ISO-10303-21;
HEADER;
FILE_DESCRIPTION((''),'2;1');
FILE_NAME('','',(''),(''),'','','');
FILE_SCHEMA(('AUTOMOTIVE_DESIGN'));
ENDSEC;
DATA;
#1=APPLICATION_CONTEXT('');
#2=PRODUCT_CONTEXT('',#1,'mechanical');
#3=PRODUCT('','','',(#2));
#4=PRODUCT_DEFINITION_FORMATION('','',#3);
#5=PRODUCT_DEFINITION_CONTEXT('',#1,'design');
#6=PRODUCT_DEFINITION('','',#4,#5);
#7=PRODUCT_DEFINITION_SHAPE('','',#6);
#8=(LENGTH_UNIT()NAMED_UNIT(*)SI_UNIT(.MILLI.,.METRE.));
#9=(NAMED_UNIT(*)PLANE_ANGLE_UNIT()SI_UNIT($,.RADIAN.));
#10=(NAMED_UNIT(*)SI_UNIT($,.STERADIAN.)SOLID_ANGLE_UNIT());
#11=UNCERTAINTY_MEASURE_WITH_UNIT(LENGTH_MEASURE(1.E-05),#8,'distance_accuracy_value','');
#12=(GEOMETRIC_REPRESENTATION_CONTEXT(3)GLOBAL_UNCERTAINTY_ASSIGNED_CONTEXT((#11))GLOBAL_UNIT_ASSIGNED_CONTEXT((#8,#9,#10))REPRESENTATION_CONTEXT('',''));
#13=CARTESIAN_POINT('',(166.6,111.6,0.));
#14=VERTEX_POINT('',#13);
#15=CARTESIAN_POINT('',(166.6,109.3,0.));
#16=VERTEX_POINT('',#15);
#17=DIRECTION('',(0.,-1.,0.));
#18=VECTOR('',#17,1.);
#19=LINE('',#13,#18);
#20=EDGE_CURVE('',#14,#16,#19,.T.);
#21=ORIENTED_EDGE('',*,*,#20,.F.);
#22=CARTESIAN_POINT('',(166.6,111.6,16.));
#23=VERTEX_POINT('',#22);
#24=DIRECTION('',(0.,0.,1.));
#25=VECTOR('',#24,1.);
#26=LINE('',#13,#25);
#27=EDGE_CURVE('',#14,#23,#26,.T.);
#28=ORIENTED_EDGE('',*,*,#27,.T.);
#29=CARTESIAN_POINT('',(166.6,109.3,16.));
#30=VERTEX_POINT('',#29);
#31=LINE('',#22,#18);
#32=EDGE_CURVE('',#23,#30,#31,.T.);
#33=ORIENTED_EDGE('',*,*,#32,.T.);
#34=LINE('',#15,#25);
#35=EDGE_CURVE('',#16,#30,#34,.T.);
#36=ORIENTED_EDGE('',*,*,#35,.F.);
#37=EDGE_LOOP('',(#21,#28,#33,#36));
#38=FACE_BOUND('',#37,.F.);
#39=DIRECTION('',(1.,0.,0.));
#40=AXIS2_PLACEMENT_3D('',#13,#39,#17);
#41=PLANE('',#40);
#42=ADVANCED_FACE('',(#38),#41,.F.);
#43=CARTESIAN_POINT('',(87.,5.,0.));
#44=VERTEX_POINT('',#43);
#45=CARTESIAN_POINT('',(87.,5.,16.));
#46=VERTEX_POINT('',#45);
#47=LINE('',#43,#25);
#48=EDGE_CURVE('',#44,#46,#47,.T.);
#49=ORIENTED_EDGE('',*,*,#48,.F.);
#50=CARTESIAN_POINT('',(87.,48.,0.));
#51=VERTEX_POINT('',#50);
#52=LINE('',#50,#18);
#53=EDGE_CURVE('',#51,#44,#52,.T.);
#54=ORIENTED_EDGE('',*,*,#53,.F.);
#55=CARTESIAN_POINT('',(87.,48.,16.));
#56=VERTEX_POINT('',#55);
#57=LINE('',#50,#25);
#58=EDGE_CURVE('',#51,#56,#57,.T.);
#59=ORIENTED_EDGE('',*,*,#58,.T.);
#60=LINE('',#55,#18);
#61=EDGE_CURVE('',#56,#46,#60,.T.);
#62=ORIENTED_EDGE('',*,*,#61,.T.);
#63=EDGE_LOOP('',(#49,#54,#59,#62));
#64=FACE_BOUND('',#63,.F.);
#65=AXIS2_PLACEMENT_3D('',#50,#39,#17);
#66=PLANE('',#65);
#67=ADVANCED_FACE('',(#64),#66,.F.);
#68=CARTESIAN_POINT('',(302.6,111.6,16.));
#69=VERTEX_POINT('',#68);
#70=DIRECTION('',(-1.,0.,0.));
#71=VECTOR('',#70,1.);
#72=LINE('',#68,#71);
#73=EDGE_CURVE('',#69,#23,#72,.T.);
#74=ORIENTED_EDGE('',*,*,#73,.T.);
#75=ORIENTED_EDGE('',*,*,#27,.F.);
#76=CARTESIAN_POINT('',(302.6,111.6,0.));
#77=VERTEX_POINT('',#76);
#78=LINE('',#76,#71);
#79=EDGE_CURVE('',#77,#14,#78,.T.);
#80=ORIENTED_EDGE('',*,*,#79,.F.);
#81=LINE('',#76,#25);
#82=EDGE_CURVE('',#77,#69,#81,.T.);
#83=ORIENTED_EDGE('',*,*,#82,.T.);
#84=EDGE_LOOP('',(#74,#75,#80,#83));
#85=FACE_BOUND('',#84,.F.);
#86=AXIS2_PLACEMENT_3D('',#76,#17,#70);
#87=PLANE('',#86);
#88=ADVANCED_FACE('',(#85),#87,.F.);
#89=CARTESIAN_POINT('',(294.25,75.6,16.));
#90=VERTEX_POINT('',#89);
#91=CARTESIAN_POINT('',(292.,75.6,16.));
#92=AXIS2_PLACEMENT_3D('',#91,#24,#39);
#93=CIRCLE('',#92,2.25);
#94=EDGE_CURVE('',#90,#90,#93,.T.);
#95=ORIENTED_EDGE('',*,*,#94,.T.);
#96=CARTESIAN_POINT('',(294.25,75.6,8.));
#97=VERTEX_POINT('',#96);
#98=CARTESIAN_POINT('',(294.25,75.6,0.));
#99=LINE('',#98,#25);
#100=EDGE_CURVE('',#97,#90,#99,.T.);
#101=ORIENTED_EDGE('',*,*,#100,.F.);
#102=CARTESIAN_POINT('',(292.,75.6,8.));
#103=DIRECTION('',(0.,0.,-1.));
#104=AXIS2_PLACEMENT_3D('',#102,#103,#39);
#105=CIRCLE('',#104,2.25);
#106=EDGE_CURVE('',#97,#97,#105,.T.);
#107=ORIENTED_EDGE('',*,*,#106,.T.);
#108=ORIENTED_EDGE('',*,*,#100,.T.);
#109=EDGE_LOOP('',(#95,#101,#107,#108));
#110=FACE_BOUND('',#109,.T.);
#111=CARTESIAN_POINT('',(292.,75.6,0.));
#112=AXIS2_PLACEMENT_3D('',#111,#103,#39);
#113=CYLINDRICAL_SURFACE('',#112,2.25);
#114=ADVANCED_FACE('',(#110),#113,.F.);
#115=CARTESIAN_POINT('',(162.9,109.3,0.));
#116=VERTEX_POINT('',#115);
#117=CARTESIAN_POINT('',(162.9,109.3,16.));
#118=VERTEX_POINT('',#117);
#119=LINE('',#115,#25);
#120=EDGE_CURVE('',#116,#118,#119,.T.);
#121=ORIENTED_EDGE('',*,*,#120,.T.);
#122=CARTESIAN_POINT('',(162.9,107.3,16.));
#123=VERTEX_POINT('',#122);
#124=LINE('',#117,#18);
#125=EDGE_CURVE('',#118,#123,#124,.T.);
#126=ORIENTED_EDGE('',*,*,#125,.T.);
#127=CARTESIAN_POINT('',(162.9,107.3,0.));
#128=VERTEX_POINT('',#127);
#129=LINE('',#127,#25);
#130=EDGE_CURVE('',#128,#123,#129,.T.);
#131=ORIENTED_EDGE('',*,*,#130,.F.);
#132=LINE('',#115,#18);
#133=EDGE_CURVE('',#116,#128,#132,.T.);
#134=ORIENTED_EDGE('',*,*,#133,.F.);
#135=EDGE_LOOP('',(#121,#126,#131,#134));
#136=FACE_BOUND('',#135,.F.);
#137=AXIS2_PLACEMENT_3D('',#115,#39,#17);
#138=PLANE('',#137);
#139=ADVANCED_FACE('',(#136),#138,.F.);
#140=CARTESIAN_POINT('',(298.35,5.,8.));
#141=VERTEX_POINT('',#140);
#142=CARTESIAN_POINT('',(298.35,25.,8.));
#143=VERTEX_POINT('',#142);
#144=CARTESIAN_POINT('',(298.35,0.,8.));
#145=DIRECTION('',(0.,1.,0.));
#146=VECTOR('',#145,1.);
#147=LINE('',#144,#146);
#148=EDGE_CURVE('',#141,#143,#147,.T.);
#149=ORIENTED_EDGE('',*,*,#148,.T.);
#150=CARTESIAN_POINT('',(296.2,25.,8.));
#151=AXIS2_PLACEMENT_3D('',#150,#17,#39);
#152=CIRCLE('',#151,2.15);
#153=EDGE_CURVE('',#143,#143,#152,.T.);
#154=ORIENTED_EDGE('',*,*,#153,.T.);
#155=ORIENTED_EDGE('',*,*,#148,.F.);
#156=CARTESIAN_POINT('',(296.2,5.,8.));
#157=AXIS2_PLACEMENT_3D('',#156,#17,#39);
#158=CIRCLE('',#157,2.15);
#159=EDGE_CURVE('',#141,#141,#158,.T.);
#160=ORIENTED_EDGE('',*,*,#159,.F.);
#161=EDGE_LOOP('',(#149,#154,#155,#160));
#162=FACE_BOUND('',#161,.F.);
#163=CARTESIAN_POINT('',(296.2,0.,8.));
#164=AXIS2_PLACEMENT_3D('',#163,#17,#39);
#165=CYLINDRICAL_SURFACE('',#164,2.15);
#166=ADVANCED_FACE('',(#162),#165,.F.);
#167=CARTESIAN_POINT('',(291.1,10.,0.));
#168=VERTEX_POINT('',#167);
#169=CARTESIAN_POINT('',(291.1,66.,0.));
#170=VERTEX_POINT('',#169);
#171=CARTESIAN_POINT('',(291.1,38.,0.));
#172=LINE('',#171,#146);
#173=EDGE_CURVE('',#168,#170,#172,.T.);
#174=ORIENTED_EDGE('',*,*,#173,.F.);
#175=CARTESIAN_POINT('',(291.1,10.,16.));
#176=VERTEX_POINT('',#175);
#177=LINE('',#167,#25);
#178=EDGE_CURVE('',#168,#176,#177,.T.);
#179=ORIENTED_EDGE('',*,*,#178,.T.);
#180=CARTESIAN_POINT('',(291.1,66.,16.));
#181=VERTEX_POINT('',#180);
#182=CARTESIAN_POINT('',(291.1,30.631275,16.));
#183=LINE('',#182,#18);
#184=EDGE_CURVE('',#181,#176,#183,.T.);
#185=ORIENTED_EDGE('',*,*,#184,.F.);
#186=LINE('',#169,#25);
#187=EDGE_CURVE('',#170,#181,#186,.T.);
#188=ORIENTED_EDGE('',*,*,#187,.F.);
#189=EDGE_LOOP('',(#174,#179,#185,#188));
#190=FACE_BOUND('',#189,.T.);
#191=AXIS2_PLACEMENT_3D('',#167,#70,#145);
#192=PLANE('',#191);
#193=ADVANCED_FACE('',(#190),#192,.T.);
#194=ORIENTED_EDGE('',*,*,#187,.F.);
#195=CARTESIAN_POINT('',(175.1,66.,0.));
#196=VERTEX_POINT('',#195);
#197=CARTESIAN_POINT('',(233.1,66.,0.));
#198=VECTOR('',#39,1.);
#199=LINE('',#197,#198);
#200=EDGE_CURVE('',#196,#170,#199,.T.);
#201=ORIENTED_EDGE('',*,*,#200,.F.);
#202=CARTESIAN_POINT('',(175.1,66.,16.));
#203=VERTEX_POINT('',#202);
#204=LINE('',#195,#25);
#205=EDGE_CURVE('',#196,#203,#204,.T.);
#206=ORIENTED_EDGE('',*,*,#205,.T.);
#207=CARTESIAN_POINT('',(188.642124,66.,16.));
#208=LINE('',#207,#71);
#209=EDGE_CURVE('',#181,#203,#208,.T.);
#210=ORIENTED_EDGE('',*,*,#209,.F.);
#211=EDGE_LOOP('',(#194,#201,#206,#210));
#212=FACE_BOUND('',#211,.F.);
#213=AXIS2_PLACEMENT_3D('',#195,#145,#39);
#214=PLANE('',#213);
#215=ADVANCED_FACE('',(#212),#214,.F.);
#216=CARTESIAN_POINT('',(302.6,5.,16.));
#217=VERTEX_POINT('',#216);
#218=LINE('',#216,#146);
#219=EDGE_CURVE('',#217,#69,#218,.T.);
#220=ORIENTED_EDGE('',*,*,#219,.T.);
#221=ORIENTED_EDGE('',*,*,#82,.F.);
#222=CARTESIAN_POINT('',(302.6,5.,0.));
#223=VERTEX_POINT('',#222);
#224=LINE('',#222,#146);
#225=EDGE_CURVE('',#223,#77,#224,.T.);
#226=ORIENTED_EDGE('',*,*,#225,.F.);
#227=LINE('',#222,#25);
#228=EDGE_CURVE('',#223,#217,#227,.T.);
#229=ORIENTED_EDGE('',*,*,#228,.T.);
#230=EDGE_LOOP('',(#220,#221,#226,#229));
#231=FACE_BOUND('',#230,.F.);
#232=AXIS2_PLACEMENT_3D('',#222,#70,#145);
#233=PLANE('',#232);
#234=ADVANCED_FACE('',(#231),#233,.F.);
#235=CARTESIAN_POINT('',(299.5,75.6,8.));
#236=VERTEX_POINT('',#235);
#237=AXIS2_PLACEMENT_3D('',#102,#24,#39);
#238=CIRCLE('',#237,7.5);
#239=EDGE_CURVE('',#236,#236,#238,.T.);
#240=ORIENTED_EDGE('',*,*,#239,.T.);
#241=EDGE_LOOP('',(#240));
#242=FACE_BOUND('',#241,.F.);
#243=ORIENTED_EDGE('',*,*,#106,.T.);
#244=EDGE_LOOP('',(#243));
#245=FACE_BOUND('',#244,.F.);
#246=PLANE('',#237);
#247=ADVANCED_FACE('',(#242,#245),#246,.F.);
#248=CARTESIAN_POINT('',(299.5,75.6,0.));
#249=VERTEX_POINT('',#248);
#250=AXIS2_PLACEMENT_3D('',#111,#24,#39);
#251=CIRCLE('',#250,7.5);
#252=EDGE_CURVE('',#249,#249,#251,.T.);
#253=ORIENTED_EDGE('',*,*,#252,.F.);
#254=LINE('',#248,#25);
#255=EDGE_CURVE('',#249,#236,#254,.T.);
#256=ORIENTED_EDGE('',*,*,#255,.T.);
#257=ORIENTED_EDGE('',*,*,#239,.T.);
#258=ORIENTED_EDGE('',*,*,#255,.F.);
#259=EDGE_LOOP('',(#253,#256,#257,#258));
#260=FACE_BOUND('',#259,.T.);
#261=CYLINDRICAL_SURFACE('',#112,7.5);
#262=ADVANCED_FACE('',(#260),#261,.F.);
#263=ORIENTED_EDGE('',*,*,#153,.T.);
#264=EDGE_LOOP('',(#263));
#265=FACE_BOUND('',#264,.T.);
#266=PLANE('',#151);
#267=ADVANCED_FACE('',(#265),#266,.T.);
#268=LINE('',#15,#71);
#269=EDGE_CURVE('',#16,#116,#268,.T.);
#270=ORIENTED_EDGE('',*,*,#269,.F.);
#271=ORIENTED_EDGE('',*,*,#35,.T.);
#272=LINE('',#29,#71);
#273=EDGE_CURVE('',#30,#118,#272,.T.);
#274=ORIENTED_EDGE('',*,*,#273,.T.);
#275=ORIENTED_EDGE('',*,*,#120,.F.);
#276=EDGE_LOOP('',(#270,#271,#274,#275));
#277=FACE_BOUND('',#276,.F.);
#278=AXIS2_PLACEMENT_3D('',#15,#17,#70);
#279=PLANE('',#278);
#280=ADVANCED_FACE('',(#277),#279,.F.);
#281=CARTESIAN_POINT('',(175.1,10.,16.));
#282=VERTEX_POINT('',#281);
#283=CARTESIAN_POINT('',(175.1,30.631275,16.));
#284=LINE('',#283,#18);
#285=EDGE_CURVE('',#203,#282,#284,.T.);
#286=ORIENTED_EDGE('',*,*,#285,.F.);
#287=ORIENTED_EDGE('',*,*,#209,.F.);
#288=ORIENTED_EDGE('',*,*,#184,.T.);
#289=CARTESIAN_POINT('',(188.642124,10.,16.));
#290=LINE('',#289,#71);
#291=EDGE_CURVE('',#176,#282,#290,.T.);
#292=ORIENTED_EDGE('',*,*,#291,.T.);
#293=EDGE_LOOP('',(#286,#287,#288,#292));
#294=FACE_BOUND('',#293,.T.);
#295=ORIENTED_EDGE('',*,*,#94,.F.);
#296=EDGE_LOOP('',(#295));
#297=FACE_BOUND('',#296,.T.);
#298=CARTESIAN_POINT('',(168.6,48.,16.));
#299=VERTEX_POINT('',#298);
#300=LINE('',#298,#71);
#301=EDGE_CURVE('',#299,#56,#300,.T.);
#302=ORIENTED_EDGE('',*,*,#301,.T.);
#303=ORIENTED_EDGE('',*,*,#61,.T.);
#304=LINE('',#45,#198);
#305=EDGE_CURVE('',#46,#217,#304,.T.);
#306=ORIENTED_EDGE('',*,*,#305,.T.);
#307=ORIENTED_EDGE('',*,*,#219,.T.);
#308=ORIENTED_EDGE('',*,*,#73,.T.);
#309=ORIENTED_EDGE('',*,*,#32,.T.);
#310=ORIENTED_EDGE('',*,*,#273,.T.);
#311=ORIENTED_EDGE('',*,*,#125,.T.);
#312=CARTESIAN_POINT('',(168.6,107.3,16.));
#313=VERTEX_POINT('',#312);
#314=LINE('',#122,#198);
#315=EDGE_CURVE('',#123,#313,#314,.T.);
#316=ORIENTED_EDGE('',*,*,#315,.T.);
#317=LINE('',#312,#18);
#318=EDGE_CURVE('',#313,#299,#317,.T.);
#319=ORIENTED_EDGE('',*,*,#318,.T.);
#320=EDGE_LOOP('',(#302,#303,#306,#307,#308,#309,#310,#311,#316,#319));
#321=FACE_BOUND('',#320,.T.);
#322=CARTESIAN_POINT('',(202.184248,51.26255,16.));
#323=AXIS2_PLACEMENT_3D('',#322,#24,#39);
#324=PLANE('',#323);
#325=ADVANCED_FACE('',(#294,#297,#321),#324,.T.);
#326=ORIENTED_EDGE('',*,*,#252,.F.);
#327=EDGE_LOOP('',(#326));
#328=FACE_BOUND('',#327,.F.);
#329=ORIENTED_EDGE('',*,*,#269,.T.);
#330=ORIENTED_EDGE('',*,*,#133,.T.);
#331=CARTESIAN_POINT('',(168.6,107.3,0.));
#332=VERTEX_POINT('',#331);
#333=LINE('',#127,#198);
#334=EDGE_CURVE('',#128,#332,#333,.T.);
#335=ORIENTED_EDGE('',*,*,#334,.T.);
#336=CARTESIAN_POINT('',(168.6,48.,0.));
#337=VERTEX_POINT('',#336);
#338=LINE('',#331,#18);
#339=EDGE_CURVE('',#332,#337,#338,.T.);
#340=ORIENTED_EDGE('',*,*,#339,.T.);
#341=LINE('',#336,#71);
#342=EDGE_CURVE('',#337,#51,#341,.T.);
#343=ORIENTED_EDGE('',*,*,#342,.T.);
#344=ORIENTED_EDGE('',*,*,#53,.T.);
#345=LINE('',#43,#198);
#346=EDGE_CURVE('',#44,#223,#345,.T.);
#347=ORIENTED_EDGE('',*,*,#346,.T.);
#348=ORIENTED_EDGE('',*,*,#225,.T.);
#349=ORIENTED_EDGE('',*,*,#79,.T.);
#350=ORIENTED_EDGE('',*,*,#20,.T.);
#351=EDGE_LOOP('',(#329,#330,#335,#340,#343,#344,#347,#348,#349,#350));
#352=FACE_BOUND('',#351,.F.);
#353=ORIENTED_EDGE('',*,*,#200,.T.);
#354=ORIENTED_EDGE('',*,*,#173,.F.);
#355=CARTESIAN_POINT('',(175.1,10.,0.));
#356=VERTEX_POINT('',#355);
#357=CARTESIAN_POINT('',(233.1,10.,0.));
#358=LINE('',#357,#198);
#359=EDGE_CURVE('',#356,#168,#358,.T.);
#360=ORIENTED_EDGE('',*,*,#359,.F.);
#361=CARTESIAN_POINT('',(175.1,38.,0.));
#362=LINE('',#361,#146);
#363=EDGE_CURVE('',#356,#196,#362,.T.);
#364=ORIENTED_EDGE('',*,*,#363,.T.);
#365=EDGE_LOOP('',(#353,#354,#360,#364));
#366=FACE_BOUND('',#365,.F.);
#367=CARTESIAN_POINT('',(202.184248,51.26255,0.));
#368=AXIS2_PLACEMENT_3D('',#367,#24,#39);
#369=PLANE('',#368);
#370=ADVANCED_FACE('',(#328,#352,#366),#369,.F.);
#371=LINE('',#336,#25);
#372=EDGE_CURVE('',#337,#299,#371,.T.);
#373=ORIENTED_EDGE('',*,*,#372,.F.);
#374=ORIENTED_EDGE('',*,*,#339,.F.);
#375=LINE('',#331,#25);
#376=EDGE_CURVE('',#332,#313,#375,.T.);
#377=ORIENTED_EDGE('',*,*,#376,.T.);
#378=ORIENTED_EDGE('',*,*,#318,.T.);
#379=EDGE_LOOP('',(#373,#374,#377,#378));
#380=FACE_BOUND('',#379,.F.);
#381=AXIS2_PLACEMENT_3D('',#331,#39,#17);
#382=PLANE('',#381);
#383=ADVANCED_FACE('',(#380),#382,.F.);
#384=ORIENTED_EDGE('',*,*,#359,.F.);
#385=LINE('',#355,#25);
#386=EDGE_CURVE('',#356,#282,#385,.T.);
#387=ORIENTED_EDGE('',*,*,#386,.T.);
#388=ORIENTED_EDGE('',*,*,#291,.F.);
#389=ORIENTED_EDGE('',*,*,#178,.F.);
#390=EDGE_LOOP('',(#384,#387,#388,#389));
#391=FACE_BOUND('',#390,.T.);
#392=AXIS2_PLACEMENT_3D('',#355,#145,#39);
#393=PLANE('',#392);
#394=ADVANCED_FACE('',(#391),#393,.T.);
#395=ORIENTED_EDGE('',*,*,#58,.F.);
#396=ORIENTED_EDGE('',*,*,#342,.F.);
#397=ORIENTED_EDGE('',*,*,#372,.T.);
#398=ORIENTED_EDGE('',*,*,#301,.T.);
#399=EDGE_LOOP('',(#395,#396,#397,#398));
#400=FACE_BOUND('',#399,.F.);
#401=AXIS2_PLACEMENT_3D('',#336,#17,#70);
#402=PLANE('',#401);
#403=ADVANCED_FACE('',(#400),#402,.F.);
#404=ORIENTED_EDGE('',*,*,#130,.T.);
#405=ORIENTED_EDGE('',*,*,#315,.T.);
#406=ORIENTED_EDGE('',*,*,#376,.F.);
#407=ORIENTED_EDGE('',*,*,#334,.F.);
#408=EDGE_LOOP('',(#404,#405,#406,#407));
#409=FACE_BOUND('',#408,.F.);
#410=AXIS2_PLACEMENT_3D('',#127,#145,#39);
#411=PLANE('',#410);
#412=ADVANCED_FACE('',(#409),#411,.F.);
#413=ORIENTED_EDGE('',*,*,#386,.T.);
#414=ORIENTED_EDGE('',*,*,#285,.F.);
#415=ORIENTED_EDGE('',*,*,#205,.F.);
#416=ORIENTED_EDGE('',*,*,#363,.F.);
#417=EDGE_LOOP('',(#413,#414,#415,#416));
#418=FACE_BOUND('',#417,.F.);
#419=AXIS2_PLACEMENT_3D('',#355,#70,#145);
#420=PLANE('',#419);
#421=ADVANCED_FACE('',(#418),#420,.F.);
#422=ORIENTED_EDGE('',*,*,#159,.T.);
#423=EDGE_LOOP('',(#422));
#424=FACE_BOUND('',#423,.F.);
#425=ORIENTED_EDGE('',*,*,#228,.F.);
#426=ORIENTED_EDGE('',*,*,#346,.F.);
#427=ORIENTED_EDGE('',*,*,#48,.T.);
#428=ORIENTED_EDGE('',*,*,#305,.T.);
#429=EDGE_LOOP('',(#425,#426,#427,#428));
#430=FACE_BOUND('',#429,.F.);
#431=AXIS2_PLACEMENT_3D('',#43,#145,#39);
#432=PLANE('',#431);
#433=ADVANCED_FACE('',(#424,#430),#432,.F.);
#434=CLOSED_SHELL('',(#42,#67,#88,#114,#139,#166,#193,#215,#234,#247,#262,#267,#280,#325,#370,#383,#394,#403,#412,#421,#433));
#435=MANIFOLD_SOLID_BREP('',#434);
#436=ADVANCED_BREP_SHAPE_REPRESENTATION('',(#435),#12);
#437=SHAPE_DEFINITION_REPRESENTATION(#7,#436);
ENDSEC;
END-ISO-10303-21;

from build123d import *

# Parameters (mm, degrees)
SKETCH_R             = 2.25
PAD_DEPTH            = 16
SKETCH002_W          = 116
SKETCH002_H          = 56
POCKET001_DEPTH      = 0.001
POCKET001_DEPTH_BACK = -16.001
SKETCH003_W          = 129
SKETCH003_H          = 62
POCKET002_DEPTH      = 6
SKETCH004_R          = 7.5
POCKET_DEPTH         = 8
SKETCH005_R          = 2.15
POCKET003_DEPTH      = 25


with BuildPart() as part:
    # Sketch → Pad (new body)
    with BuildSketch(Plane.XY):
        Polygon((87, 5), (302.6, 5), (302.6, 111.6), (166.6, 111.6), (166.6, 109.3), (162.9, 109.3), (162.9, 107.3), (168.6, 107.3), (168.6, 48), (87, 48), align=None)
        with Locations((292, 75.6)):
            Circle(SKETCH_R, mode=Mode.SUBTRACT)
    extrude(amount=PAD_DEPTH)

    # Sketch002 → Pocket001 (cut, two sides)
    with BuildSketch(Plane.XY) as pocket001_sk:
        with Locations((233.1, 38)):
            Rectangle(SKETCH002_W, SKETCH002_H)
    extrude(amount=-POCKET001_DEPTH, mode=Mode.SUBTRACT)
    extrude(pocket001_sk.sketch, amount=-POCKET001_DEPTH_BACK, mode=Mode.SUBTRACT)

    # Sketch003 (on DatumPlane) → Pocket002 (cut)
    with BuildSketch(Plane.XY.offset(24)):
        with Locations((233.1, 36)):
            Rectangle(SKETCH003_W, SKETCH003_H)
    extrude(amount=-POCKET002_DEPTH, mode=Mode.SUBTRACT)

    # Sketch004 → Pocket (cut)
    with BuildSketch(Plane.XY):
        with Locations((292, 75.6)):
            Circle(SKETCH004_R)
    extrude(amount=POCKET_DEPTH, mode=Mode.SUBTRACT)

    # Sketch005 → Pocket003 (cut)
    with BuildSketch(Plane.XZ):
        with Locations((296.2, 8)):
            Circle(SKETCH005_R)
    extrude(amount=-POCKET003_DEPTH, mode=Mode.SUBTRACT)


solid = part.part
